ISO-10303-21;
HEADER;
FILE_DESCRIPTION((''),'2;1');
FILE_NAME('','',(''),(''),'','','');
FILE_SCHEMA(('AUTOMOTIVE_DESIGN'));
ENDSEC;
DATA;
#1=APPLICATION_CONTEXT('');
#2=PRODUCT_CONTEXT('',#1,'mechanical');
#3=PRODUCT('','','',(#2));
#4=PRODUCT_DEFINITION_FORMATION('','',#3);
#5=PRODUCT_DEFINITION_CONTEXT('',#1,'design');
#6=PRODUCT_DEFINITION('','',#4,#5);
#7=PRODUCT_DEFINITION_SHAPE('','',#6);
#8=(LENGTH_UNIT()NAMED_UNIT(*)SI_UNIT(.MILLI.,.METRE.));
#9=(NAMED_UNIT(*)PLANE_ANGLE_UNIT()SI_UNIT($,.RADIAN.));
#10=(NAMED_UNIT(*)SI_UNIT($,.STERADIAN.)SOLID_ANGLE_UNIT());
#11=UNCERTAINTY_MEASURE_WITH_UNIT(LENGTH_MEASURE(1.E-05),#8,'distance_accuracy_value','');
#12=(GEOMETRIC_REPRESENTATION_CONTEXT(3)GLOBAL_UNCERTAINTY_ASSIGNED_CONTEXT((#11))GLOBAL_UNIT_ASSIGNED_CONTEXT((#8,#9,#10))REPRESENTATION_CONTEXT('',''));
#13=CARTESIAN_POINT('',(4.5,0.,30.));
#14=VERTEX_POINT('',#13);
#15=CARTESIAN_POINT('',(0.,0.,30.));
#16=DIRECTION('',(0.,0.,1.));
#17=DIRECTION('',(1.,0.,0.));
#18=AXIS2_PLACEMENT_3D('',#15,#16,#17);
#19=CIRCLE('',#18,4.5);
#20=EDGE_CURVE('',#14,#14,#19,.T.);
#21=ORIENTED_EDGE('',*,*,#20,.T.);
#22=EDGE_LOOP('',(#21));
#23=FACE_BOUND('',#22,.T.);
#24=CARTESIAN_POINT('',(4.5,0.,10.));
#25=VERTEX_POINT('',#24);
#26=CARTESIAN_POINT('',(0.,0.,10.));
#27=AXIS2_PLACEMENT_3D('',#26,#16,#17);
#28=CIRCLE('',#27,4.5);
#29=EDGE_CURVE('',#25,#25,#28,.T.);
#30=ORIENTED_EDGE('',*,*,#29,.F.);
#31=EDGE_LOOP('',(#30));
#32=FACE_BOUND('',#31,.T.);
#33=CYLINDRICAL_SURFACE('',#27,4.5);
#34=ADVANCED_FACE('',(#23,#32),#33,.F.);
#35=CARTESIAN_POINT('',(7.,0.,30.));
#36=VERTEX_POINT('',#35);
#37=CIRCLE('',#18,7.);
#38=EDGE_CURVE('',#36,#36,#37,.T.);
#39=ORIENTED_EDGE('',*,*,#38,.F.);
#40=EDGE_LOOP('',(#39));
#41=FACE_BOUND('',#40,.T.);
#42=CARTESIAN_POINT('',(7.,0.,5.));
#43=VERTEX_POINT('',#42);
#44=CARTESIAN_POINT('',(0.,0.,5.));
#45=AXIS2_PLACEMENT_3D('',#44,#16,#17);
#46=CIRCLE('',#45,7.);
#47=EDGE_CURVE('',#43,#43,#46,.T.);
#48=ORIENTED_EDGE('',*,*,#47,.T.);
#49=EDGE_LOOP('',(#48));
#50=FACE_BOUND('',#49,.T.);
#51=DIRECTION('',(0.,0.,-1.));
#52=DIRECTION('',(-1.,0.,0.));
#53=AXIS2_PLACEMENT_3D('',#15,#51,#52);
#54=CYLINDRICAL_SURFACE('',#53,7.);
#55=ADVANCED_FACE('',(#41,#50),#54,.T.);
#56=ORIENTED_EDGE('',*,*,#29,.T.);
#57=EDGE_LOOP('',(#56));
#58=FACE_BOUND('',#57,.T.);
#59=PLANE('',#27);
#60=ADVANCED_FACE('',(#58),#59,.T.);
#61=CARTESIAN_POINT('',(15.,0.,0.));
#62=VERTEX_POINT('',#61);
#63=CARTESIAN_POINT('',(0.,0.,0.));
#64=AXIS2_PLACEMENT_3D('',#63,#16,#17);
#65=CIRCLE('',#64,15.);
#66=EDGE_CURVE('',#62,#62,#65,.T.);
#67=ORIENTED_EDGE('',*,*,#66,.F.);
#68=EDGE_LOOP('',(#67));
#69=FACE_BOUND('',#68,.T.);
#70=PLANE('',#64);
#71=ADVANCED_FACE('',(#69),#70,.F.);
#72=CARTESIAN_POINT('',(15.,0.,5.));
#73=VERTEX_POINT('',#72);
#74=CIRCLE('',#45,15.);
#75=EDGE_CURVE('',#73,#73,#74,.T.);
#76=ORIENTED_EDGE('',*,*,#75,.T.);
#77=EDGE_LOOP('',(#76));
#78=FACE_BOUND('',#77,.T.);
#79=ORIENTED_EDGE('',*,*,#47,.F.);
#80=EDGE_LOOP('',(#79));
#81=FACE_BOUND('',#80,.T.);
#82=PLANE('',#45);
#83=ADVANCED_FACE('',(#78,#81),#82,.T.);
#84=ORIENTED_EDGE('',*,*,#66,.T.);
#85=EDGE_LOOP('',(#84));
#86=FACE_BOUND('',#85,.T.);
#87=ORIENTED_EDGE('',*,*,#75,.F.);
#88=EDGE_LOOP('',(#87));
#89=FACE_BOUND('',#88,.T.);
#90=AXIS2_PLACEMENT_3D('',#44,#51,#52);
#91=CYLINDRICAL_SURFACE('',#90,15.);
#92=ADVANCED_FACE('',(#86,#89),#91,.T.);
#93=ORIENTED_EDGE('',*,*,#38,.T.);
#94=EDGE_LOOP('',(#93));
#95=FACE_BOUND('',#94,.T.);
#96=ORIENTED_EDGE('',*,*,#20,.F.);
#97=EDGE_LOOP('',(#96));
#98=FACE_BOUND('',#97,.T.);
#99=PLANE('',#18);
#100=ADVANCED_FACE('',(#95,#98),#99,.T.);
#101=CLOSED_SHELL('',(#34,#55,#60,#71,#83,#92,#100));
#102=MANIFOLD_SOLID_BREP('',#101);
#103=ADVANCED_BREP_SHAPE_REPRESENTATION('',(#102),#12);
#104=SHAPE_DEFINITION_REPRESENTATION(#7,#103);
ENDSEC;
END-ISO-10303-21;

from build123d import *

# Parameters (mm, degrees)
SKETCH1_R           = 15
BOSS_EXTRUDE1_DEPTH = 5
SKETCH2_R           = 7
BOSS_EXTRUDE2_DEPTH = 25
SKETCH4_R           = 4.5
CUT_EXTRUDE2_DEPTH  = 20


with BuildPart() as part:
    # Sketch1 → Boss-Extrude1 (new body)
    with BuildSketch(Plane.XY):
        Circle(SKETCH1_R)
    extrude(amount=BOSS_EXTRUDE1_DEPTH)

    # Sketch2 → Boss-Extrude2 (add)
    with BuildSketch(Plane.XY.offset(5)):
        Circle(SKETCH2_R)
    extrude(amount=BOSS_EXTRUDE2_DEPTH)

    # Sketch4 → Cut-Extrude2 (cut)
    with BuildSketch(Plane.XY.offset(30)):
        Circle(SKETCH4_R)
    extrude(amount=-CUT_EXTRUDE2_DEPTH, mode=Mode.SUBTRACT)


solid = part.part
